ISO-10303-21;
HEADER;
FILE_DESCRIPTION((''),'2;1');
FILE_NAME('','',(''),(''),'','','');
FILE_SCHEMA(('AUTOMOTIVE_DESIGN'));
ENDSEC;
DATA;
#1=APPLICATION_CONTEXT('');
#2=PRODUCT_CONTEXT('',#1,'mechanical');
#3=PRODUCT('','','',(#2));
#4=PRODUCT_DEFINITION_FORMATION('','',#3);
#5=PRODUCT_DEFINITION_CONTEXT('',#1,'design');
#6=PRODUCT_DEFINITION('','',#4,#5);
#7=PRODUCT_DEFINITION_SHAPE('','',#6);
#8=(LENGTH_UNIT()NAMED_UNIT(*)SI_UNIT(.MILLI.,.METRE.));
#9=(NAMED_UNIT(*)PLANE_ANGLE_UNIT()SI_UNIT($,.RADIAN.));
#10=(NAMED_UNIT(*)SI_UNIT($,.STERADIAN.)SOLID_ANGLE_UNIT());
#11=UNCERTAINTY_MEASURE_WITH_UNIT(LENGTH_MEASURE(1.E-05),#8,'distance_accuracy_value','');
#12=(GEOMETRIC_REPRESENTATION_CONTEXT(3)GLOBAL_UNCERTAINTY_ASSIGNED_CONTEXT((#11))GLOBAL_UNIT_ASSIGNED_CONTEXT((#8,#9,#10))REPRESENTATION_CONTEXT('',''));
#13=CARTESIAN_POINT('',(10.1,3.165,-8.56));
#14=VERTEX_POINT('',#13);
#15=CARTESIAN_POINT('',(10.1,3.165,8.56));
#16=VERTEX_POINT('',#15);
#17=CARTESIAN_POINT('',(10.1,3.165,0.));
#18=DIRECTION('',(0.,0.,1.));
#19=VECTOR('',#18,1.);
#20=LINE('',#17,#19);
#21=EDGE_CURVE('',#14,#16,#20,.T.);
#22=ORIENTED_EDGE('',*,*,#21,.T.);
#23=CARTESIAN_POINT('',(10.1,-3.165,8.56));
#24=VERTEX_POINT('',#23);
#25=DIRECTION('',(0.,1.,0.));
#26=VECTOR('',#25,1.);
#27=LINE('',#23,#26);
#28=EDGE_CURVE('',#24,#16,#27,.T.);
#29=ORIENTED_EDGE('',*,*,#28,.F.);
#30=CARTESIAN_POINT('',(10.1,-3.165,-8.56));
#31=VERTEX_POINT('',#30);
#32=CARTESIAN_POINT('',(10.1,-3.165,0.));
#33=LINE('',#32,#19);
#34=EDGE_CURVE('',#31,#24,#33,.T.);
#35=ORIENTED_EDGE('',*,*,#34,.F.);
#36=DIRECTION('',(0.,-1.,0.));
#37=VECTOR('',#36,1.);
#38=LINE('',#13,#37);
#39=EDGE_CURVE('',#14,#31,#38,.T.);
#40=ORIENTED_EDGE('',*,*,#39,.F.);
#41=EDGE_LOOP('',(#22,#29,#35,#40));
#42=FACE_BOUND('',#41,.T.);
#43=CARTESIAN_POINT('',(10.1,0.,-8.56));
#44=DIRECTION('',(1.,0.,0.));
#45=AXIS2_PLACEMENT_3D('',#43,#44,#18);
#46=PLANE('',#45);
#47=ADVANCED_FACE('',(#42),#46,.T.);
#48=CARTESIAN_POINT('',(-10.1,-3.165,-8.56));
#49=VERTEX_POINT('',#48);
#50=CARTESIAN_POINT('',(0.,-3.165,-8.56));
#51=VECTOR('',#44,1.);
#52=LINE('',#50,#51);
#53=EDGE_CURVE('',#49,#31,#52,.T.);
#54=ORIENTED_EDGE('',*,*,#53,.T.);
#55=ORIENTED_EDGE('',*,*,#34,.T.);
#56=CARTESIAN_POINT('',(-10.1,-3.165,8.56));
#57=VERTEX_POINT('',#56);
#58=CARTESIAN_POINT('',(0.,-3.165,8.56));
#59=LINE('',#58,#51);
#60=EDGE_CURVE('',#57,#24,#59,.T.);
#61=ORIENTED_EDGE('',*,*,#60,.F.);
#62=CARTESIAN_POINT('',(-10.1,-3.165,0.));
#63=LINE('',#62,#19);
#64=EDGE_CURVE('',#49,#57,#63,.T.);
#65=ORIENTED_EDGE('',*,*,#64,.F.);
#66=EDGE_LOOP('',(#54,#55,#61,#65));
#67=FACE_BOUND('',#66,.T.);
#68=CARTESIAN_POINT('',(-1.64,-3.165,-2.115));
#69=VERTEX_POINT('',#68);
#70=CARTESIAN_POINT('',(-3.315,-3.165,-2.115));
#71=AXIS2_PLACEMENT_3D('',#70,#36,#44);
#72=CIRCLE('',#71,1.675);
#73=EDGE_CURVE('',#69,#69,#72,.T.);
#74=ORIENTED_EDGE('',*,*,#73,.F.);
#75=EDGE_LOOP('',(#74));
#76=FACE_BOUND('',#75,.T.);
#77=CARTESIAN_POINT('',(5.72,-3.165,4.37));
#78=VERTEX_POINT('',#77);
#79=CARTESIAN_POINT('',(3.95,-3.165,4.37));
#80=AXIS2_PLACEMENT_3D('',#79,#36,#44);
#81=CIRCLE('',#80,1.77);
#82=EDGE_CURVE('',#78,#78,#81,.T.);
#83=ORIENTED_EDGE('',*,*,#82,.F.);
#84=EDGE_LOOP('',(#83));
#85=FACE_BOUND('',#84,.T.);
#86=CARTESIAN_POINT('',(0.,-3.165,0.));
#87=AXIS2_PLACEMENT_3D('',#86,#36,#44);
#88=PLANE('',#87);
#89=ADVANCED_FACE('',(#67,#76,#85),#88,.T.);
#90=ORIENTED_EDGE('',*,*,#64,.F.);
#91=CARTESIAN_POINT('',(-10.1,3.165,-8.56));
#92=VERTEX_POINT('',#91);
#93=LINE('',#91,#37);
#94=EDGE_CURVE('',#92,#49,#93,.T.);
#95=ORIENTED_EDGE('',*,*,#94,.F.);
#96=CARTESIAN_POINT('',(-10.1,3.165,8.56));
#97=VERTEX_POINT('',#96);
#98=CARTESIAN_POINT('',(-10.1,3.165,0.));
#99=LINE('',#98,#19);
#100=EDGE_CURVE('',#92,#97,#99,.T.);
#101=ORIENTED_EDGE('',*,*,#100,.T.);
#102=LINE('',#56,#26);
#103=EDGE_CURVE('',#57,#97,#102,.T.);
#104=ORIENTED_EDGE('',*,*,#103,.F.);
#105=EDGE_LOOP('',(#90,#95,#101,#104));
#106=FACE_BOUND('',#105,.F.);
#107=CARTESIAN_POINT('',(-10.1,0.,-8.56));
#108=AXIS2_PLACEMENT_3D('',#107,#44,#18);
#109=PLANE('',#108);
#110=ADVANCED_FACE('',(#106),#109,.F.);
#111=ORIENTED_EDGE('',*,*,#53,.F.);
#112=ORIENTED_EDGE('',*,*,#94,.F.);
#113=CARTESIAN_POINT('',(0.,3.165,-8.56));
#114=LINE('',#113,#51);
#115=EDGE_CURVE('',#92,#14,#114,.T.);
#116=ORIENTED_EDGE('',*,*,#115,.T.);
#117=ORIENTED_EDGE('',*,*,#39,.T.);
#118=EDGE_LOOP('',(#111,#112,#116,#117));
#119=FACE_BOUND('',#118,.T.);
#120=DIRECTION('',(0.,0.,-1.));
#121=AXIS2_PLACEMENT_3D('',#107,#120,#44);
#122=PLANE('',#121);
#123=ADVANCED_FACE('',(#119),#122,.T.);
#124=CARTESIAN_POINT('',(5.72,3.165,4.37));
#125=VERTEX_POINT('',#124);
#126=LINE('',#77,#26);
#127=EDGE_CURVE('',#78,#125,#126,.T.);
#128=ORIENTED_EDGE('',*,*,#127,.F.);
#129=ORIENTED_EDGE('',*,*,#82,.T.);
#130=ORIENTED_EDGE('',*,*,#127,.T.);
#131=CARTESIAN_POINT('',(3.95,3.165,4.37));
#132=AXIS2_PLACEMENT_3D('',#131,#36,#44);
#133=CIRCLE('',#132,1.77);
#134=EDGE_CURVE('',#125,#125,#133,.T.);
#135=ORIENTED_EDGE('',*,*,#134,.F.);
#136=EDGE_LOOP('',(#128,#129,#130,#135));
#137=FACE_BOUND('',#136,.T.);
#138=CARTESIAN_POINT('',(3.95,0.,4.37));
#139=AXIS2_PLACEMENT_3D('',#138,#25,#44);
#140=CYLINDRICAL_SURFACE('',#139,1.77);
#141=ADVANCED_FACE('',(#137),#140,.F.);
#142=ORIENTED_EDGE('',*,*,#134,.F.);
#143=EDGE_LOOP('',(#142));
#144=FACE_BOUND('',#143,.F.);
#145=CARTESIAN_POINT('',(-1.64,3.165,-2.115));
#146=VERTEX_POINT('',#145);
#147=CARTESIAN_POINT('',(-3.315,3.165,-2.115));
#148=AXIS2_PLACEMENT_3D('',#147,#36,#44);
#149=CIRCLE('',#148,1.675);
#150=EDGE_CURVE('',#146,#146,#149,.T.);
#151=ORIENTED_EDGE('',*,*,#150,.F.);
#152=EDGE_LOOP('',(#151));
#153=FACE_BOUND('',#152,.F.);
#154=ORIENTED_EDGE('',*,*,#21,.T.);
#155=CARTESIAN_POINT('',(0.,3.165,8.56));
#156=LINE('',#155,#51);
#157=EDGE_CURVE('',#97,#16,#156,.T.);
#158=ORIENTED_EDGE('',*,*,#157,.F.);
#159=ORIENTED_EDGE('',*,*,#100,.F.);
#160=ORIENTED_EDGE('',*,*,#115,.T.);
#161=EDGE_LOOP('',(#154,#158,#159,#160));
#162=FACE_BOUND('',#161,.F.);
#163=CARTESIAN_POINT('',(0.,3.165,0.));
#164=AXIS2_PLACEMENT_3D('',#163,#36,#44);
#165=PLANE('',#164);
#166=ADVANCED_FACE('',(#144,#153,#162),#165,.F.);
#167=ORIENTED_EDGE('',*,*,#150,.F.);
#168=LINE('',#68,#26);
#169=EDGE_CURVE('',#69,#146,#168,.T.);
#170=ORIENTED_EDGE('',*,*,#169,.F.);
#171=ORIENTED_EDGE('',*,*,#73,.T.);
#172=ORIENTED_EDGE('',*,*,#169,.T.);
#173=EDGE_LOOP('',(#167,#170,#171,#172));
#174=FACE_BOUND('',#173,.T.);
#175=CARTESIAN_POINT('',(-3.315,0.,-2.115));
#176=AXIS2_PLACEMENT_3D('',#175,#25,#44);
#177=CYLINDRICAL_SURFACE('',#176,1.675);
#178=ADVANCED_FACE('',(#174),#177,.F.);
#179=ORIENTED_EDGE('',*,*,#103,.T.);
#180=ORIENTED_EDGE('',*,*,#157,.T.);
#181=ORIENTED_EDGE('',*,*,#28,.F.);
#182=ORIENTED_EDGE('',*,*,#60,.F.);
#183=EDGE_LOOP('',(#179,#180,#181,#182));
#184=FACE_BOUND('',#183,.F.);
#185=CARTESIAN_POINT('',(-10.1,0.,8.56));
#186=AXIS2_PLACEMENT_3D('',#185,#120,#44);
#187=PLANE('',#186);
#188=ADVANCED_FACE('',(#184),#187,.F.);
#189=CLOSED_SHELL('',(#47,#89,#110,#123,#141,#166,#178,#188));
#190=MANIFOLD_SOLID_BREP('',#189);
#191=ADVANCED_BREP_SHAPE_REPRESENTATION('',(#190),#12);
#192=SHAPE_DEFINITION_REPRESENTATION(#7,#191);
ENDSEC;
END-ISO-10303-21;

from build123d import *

# Parameters (mm, degrees)
F0_W     = 20.2
F0_H     = 17.12
F0_R     = 1.675
F0_R_2   = 1.77
F1_DEPTH = 3.165


with BuildPart() as f1:
    # F0 (on Front) → F1 (new body, symmetric)
    with BuildSketch(Plane.XZ):
        Rectangle(F0_W, F0_H)
        with Locations((-3.315, -2.115)):
            Circle(F0_R, mode=Mode.SUBTRACT)
        with Locations((3.95, 4.37)):
            Circle(F0_R_2, mode=Mode.SUBTRACT)
    extrude(amount=F1_DEPTH, both=True)


solid = f1.part
